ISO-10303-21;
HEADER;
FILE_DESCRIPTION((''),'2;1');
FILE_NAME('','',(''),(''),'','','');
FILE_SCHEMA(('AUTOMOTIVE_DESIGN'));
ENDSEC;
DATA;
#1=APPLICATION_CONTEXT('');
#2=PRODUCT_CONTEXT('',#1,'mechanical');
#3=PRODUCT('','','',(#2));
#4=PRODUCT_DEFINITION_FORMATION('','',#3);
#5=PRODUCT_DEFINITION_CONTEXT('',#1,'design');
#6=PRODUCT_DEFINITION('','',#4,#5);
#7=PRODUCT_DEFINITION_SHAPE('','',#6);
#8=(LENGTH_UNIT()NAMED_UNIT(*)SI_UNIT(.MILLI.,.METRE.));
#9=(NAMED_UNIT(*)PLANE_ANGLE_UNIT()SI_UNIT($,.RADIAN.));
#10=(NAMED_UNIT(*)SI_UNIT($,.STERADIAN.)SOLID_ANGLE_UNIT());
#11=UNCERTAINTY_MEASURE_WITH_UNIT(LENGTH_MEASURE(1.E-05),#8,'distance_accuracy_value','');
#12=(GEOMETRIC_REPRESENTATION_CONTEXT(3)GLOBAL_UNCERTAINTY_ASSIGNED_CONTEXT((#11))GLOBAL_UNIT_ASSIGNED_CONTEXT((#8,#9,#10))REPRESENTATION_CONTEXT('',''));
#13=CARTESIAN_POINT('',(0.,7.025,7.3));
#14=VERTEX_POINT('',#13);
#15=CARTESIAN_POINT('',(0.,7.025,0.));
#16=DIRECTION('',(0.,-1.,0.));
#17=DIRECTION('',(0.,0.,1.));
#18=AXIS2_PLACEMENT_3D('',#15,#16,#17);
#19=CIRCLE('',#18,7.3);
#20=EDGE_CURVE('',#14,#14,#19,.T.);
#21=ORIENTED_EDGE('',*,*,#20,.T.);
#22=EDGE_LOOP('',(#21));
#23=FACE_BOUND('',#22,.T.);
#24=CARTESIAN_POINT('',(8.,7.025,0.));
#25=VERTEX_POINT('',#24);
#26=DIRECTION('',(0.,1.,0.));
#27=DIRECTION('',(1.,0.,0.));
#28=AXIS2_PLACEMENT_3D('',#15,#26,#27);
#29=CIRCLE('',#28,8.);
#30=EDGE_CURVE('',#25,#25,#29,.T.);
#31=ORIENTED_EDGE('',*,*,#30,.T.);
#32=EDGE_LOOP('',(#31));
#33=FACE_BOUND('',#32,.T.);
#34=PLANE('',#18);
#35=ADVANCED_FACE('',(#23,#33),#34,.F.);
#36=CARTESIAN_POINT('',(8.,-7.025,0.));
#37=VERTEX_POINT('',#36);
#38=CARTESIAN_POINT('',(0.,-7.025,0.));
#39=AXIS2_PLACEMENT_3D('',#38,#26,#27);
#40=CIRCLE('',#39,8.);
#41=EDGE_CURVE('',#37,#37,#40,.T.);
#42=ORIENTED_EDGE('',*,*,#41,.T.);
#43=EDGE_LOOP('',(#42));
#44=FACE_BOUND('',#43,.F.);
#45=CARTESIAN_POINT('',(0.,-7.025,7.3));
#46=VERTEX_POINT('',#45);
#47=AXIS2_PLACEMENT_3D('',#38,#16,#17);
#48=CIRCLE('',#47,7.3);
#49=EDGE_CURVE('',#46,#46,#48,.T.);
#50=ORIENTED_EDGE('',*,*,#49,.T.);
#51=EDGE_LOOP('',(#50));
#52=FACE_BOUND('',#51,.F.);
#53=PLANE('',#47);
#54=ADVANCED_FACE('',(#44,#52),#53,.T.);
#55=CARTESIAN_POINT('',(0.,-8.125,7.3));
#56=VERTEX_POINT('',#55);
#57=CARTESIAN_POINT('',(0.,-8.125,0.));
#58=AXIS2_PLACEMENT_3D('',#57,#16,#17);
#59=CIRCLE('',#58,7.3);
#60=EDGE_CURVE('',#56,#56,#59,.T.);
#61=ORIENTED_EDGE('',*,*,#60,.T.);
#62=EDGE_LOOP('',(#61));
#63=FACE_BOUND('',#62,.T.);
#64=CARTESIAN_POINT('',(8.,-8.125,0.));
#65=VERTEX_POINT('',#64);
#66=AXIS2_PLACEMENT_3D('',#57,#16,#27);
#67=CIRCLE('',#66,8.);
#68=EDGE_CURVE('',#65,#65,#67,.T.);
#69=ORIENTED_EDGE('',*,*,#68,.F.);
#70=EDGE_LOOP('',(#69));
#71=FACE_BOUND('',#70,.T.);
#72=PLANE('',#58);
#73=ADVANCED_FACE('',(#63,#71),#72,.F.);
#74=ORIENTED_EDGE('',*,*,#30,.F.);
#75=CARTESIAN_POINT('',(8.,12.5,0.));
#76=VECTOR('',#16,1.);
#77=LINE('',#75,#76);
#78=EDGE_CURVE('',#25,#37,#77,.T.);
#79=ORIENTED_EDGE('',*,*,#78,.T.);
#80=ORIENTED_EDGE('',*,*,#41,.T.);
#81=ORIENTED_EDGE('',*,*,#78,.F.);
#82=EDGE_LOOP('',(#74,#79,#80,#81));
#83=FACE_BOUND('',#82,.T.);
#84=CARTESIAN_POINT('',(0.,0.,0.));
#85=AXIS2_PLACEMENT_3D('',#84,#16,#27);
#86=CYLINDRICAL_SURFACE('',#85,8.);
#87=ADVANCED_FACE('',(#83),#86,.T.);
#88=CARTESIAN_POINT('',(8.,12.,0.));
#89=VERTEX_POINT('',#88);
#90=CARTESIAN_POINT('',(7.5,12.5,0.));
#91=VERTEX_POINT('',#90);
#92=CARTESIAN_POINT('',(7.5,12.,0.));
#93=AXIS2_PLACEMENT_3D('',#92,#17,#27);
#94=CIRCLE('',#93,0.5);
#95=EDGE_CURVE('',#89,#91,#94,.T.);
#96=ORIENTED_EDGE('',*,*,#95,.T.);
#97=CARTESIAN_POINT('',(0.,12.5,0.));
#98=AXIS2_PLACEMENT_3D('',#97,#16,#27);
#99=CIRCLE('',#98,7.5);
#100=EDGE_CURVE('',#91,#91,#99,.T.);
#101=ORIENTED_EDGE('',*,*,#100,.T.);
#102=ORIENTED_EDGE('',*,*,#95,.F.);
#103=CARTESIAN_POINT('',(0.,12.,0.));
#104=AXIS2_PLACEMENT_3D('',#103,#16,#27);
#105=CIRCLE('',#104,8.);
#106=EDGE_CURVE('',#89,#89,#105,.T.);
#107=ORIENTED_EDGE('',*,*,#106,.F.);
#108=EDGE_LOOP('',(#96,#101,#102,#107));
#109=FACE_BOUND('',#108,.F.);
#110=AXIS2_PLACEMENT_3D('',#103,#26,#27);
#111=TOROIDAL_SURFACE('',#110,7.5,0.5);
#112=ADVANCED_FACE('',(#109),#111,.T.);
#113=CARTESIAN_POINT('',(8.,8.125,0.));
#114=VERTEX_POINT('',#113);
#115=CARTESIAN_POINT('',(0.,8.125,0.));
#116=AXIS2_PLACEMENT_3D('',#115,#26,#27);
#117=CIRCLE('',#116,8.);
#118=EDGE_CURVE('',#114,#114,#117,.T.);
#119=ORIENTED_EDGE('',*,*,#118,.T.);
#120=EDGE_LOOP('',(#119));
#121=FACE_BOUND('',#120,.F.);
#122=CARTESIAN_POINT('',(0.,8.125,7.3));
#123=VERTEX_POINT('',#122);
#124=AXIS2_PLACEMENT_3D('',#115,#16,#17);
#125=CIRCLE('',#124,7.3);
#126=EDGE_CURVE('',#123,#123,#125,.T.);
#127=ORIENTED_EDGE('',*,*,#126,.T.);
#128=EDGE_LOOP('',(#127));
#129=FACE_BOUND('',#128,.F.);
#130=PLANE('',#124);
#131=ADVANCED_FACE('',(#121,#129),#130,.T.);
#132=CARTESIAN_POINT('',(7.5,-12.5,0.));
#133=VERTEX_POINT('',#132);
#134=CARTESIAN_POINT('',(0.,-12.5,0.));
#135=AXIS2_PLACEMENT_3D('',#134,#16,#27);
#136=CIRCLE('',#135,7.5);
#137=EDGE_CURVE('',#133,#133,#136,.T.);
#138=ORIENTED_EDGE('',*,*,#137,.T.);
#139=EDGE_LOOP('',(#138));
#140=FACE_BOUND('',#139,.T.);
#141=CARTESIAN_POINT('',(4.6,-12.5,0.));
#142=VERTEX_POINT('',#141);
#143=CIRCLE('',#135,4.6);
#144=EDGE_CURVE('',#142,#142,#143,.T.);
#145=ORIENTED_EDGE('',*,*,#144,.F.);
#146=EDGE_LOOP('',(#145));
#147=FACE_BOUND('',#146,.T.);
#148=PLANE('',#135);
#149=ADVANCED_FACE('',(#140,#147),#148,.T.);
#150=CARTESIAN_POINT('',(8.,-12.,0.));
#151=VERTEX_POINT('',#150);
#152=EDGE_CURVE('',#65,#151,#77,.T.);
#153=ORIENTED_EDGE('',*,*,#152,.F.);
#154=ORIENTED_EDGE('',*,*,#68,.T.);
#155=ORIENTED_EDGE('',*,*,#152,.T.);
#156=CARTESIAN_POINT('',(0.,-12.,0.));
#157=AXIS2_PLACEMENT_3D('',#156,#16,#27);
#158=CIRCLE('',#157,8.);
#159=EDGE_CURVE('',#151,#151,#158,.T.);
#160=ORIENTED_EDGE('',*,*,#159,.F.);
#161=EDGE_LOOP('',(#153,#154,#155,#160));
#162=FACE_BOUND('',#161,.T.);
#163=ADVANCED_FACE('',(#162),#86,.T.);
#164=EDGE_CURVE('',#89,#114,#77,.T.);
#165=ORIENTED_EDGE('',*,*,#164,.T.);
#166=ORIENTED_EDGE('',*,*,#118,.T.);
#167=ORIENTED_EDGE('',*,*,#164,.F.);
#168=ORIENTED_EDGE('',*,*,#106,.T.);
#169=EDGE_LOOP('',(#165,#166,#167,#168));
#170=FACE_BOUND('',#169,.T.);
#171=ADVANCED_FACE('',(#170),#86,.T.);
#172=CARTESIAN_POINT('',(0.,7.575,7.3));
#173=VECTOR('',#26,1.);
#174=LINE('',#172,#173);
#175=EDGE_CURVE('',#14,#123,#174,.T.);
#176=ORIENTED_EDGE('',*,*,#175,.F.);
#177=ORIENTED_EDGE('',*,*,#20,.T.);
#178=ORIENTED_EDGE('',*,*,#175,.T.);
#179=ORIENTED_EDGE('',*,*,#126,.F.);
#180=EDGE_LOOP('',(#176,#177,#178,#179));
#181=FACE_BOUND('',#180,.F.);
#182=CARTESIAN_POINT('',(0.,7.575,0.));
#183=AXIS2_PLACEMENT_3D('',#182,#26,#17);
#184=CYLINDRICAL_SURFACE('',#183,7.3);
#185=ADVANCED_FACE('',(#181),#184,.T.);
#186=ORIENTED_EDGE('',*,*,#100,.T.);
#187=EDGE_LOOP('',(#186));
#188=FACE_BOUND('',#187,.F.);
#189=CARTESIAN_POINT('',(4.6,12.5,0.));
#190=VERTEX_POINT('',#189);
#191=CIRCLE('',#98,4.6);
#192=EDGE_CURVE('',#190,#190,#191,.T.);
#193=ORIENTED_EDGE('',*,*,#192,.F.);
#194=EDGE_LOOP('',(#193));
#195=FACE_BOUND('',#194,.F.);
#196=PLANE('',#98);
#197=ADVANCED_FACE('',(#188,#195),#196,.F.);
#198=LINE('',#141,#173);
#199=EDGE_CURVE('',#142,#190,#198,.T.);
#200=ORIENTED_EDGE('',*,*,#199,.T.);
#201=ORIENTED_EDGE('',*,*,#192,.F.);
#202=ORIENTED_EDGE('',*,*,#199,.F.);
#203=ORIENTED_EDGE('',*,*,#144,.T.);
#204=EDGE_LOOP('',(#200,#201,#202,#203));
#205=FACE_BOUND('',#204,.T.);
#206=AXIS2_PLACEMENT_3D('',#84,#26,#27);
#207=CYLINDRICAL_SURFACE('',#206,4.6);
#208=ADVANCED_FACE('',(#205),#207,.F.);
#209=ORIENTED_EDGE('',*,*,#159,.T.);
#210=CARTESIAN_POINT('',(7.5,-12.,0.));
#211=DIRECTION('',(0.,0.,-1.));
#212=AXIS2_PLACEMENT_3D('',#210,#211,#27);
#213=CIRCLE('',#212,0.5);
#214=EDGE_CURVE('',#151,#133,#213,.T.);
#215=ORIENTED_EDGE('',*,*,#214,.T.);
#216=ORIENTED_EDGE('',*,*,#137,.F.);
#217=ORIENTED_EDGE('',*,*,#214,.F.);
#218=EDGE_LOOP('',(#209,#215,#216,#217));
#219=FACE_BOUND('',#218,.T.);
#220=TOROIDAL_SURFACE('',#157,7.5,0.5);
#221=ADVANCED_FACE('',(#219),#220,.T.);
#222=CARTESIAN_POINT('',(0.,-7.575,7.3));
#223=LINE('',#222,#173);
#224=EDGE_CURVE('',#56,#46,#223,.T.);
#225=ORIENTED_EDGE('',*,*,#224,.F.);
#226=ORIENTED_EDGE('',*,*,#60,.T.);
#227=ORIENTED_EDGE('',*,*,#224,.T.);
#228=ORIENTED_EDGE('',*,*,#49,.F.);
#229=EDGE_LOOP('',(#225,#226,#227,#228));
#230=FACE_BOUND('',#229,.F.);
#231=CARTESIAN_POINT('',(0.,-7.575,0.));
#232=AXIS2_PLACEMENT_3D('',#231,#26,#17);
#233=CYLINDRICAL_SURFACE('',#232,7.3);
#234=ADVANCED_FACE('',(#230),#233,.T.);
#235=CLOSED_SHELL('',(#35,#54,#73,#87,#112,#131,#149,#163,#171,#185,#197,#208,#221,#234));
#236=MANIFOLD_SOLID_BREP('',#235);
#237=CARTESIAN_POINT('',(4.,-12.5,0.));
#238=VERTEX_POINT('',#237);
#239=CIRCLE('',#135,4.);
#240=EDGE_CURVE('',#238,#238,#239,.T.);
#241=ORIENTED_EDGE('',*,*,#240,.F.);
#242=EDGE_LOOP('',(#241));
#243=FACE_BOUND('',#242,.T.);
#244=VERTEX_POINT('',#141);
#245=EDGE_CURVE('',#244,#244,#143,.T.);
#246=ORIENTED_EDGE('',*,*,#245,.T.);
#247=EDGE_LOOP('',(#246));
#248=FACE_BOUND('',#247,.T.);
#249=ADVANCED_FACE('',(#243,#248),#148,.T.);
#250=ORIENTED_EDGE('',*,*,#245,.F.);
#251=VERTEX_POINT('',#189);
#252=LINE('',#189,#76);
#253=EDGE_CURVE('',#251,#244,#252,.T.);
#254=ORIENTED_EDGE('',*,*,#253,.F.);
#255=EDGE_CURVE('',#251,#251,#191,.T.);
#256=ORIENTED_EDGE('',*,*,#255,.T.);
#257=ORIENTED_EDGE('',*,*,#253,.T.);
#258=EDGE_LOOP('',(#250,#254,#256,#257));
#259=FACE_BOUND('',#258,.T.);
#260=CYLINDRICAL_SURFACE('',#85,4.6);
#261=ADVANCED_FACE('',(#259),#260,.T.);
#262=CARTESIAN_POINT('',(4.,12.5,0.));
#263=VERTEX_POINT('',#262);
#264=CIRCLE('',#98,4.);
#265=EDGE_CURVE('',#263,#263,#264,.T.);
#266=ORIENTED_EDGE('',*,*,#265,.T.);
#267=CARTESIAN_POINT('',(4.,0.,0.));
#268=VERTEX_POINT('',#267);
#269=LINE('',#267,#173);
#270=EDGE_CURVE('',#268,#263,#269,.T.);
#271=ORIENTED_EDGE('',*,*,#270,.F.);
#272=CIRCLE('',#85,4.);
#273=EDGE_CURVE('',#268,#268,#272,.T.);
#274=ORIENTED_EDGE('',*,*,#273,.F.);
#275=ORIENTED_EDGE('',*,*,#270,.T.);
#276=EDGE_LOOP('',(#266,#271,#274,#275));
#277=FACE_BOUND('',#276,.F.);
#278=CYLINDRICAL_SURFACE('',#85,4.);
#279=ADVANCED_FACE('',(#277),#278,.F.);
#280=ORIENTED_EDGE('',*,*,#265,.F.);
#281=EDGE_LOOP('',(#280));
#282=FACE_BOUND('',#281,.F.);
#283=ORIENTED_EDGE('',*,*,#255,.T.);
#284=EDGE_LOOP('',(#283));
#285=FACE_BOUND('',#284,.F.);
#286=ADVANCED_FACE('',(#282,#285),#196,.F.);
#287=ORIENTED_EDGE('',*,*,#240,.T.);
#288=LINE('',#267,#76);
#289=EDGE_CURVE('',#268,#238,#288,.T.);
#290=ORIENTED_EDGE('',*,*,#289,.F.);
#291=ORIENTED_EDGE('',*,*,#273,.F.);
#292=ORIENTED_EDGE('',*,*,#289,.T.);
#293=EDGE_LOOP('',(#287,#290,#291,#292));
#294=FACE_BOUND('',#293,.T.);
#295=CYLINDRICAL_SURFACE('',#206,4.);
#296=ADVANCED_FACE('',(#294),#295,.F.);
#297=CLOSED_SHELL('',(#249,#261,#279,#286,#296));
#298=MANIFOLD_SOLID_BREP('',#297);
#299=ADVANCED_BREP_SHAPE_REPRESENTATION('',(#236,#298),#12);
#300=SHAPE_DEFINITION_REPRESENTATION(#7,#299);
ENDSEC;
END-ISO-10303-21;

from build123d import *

# Parameters (mm, degrees)
F0_R          = 8
F0_R_2        = 4.6
F1_DEPTH      = 12.5
F0_R_3        = 4
F2_DEPTH      = 12.5
F2_DEPTH_BACK = 12.5
F3_W          = 1.1
F3_H          = 0.7
F5_R          = 0.5


with BuildPart() as f1:
    # F0 (on Front) → F1 (new body, symmetric)
    with BuildSketch(Plane.XZ):
        Circle(F0_R)
        Circle(F0_R_2, mode=Mode.SUBTRACT)
    extrude(amount=F1_DEPTH, both=True)

    # F3 (on Right) → F4 (revolve, cut)
    with BuildSketch(Plane.YZ):
        with Locations((-7.575, 7.65)):
            Rectangle(F3_W, F3_H)
        with Locations((7.575, 7.65)):
            Rectangle(F3_W, F3_H)
    revolve(axis=Axis((0, -12.5, 0), (0, -1, 0)), mode=Mode.SUBTRACT)

    # F5
    f5_edges = [f1.edges().sort_by_distance(p)[0] for p in [
        (-8, -12.5, 0),
        (-8, 12.5, 0),
    ]]
    fillet(f5_edges, radius=F5_R)


with BuildPart() as f2:
    # F0 (on Front) → F2 (new body, two sides)
    with BuildSketch(Plane.XZ) as f2_sk:
        Circle(F0_R_2)
        Circle(F0_R_3, mode=Mode.SUBTRACT)
    extrude(amount=F2_DEPTH)
    extrude(f2_sk.sketch, amount=-F2_DEPTH_BACK)


solid = Compound([f1.part, f2.part])
